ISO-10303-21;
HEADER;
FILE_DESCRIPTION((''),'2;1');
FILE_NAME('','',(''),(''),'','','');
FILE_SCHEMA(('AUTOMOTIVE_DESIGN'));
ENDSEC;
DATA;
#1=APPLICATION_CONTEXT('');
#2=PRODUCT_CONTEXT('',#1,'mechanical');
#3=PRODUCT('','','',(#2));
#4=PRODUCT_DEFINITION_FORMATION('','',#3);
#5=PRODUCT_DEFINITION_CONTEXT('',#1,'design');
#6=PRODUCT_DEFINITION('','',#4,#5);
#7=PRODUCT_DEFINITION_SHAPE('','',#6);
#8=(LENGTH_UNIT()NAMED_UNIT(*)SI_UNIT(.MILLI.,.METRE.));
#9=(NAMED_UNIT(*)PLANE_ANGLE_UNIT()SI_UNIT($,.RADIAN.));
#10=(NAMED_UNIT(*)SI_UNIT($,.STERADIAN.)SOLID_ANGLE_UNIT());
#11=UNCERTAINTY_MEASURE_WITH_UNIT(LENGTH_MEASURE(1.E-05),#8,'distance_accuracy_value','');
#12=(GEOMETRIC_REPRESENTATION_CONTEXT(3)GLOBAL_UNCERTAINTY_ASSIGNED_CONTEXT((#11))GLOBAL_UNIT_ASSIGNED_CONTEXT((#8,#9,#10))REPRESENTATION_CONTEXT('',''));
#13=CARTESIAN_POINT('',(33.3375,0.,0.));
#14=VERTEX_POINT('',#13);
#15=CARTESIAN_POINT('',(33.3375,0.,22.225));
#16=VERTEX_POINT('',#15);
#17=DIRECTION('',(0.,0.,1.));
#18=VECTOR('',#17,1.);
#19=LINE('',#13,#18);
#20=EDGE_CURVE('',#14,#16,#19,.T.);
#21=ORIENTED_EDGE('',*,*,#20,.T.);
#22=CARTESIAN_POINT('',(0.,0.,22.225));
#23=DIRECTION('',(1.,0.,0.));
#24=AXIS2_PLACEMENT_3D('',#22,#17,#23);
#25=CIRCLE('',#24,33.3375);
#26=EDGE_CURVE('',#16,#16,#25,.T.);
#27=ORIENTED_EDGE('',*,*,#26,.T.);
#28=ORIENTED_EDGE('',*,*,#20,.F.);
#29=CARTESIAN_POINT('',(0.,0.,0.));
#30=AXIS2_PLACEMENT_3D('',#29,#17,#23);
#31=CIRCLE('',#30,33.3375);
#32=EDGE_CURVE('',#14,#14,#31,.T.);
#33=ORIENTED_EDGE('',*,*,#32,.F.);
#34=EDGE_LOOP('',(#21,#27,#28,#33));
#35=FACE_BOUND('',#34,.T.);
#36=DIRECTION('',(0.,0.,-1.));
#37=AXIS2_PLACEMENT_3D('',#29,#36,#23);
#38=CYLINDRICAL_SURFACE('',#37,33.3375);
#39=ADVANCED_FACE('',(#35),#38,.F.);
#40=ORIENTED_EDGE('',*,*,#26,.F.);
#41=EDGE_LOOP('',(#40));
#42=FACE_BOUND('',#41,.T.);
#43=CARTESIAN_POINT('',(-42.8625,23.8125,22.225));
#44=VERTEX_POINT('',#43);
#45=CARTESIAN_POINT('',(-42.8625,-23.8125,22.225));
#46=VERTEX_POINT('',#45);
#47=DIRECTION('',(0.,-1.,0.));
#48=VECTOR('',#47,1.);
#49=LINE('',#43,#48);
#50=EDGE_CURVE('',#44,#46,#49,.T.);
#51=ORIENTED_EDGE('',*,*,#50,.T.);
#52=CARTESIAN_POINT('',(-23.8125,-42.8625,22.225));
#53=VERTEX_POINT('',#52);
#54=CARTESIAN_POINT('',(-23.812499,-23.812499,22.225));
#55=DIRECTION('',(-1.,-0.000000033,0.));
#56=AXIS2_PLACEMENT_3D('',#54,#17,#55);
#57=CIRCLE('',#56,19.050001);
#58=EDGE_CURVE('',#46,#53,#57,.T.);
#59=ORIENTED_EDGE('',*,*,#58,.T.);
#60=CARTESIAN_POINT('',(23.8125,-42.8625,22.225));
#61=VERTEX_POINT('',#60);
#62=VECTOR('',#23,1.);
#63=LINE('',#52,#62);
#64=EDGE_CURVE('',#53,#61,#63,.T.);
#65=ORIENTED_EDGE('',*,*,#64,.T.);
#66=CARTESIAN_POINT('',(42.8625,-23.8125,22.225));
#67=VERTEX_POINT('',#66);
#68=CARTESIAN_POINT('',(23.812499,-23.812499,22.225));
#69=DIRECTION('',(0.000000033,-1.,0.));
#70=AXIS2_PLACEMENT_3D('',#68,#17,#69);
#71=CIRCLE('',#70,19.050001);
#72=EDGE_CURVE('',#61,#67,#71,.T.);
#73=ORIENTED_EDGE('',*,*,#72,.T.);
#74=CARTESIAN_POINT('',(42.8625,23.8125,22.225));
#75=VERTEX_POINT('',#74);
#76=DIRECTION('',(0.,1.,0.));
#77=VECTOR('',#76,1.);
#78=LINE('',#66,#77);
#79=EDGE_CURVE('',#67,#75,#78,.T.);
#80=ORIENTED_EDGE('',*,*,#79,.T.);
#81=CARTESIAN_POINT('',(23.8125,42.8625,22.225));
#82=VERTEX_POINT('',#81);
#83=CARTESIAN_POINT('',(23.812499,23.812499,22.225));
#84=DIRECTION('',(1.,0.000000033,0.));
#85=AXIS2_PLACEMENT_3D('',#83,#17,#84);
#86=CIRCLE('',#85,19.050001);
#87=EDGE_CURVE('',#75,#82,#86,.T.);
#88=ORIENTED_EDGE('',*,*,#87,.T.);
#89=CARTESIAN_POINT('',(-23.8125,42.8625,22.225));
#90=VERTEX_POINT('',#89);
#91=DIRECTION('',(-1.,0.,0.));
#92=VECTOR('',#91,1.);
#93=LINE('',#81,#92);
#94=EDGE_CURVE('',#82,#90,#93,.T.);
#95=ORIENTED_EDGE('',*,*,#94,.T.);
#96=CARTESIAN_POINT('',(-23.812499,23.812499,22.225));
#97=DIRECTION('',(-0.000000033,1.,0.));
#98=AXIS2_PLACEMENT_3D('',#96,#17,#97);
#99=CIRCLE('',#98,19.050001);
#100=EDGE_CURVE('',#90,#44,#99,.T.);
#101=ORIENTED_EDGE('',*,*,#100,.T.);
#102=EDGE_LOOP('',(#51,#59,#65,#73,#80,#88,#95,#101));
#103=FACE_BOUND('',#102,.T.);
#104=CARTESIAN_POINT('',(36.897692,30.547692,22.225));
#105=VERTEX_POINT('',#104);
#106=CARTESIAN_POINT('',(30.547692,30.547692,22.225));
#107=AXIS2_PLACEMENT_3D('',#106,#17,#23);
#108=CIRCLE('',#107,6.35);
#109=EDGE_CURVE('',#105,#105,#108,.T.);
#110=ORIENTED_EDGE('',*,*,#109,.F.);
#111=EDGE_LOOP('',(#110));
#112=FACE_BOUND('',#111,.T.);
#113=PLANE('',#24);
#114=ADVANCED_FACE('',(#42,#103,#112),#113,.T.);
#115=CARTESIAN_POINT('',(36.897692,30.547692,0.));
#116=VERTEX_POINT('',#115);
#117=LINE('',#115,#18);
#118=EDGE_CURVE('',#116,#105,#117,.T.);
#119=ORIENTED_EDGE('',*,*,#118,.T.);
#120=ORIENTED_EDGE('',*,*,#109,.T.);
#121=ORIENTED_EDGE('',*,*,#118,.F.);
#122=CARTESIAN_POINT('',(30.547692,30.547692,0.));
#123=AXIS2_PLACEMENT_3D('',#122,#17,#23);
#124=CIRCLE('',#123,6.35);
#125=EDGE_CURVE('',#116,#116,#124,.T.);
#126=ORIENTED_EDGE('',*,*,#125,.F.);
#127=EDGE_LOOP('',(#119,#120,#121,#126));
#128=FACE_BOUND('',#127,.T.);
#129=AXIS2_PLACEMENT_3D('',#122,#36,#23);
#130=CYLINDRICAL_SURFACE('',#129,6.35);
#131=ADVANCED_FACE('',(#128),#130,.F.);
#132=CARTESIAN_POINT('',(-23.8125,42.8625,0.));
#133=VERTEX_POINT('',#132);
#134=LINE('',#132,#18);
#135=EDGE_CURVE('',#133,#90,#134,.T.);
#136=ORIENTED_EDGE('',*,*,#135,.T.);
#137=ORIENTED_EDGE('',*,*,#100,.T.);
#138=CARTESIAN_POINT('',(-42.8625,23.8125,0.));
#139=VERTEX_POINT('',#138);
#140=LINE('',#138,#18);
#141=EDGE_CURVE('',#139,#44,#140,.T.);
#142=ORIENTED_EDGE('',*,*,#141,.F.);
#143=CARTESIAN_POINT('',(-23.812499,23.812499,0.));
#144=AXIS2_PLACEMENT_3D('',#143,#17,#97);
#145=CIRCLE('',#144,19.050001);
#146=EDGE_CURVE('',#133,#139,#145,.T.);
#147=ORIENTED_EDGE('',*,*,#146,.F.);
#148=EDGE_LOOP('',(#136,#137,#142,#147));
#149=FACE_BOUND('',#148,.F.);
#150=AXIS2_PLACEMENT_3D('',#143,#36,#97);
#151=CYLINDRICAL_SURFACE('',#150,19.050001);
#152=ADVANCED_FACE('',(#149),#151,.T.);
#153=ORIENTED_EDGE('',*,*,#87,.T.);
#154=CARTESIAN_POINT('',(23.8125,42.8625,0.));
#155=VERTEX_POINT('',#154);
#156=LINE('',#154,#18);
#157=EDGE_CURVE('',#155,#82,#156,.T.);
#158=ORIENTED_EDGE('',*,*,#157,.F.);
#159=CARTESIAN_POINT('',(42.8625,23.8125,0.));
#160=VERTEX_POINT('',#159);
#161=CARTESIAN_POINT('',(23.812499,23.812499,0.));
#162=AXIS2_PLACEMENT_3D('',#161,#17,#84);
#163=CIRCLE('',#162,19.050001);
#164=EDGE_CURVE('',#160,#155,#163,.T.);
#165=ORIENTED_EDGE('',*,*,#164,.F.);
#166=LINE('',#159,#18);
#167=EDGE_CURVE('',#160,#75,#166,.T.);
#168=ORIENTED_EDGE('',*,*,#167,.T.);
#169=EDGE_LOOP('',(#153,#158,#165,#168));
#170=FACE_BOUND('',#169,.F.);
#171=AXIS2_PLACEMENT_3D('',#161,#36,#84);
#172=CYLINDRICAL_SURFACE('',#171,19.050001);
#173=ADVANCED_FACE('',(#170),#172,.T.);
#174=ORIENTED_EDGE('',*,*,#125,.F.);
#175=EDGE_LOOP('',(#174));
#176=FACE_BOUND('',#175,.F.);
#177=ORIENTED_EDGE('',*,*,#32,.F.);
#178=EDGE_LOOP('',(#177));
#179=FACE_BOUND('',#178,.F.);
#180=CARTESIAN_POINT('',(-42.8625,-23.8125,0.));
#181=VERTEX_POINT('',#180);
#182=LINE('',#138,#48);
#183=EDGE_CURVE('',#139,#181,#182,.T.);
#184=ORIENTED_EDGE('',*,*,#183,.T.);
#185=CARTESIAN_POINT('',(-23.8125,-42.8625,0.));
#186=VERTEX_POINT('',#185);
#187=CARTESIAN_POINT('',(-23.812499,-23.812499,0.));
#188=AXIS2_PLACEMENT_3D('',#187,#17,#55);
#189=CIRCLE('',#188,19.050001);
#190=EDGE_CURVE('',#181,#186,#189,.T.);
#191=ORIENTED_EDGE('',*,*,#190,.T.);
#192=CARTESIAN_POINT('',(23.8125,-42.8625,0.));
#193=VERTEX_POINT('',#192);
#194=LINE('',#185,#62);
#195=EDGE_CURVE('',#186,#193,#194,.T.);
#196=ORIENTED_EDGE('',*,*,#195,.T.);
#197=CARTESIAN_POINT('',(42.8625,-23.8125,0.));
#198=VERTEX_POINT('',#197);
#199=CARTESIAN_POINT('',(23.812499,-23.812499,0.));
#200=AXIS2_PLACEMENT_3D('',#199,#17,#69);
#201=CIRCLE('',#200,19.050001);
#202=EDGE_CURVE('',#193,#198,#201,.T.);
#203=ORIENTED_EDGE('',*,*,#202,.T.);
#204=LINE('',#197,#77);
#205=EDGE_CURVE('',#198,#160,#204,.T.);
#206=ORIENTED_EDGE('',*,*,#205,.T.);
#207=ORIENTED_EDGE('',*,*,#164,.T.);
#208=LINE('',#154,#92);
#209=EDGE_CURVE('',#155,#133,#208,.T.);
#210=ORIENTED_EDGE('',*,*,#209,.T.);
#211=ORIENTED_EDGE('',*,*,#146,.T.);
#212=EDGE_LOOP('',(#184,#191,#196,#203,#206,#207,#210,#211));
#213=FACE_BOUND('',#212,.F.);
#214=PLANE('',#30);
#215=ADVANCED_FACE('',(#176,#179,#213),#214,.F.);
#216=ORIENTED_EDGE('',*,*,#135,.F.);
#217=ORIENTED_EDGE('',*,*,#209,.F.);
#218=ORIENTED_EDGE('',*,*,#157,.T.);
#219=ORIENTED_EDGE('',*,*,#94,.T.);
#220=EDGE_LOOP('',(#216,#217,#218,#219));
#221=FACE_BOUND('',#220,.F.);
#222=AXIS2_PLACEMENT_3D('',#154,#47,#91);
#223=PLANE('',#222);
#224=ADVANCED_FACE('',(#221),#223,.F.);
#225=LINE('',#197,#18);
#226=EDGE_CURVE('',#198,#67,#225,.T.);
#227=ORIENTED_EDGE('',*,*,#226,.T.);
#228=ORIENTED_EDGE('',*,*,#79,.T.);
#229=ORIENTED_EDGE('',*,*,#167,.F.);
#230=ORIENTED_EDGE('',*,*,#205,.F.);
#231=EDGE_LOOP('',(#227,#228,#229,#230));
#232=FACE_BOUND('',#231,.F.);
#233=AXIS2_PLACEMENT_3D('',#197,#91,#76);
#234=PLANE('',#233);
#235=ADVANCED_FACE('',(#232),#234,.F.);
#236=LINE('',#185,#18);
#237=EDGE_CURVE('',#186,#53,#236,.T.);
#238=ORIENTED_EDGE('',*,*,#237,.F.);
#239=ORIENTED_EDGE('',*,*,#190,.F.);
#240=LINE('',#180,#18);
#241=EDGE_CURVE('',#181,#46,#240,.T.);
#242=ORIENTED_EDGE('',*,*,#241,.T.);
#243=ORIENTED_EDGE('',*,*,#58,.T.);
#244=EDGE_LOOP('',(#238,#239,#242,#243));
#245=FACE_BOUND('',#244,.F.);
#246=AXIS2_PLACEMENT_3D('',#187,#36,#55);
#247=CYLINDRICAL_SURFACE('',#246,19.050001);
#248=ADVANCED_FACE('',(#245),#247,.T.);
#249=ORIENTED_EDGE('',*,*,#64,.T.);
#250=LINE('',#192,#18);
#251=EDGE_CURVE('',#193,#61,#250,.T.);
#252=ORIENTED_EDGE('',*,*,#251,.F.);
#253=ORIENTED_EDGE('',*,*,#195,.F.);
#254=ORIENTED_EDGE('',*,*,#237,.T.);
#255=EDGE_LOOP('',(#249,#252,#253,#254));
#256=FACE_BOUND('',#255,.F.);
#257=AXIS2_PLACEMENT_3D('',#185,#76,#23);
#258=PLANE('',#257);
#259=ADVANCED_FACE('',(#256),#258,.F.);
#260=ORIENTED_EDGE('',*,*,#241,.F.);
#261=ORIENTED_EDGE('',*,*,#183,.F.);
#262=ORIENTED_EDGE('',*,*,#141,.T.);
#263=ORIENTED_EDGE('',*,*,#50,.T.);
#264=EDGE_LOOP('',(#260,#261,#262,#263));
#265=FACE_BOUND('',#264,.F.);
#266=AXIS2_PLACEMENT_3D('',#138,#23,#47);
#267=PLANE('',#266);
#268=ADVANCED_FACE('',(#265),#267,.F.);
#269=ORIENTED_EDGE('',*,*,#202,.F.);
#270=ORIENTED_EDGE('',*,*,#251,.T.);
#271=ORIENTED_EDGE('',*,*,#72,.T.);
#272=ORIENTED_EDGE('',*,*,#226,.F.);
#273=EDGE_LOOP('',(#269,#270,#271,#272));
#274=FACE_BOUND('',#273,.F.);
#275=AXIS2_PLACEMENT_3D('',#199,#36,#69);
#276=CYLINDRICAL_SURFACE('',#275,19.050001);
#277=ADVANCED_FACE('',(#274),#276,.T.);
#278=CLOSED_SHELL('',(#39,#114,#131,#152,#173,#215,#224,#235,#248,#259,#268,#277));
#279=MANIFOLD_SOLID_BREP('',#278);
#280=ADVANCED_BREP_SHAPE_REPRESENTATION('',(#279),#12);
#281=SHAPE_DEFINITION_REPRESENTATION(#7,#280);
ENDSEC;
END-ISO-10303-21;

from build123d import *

# Parameters (mm, degrees)
F0_R     = 33.3375
F0_R_2   = 6.35
F1_DEPTH = 22.225


with BuildPart() as f1:
    # F0 (on Top) → F1 (new body)
    with BuildSketch(Plane.XY):
        with BuildLine():
            ThreePointArc((-42.8625, -23.8125), (-37.282884, -37.282884), (-23.8125, -42.8625))
            Line((-23.8125, -42.8625), (23.8125, -42.8625))
            ThreePointArc((23.8125, -42.8625), (37.282884, -37.282884), (42.8625, -23.8125))
            Line((42.8625, -23.8125), (42.8625, 23.8125))
            ThreePointArc((42.8625, 23.8125), (37.282884, 37.282884), (23.8125, 42.8625))
            Line((23.8125, 42.8625), (-23.8125, 42.8625))
            ThreePointArc((-23.8125, 42.8625), (-37.282884, 37.282884), (-42.8625, 23.8125))
            Line((-42.8625, 23.8125), (-42.8625, -23.8125))
        make_face()
        Circle(F0_R, mode=Mode.SUBTRACT)
        with Locations((30.547692, 30.547692)):
            Circle(F0_R_2, mode=Mode.SUBTRACT)
    extrude(amount=F1_DEPTH)


solid = f1.part
